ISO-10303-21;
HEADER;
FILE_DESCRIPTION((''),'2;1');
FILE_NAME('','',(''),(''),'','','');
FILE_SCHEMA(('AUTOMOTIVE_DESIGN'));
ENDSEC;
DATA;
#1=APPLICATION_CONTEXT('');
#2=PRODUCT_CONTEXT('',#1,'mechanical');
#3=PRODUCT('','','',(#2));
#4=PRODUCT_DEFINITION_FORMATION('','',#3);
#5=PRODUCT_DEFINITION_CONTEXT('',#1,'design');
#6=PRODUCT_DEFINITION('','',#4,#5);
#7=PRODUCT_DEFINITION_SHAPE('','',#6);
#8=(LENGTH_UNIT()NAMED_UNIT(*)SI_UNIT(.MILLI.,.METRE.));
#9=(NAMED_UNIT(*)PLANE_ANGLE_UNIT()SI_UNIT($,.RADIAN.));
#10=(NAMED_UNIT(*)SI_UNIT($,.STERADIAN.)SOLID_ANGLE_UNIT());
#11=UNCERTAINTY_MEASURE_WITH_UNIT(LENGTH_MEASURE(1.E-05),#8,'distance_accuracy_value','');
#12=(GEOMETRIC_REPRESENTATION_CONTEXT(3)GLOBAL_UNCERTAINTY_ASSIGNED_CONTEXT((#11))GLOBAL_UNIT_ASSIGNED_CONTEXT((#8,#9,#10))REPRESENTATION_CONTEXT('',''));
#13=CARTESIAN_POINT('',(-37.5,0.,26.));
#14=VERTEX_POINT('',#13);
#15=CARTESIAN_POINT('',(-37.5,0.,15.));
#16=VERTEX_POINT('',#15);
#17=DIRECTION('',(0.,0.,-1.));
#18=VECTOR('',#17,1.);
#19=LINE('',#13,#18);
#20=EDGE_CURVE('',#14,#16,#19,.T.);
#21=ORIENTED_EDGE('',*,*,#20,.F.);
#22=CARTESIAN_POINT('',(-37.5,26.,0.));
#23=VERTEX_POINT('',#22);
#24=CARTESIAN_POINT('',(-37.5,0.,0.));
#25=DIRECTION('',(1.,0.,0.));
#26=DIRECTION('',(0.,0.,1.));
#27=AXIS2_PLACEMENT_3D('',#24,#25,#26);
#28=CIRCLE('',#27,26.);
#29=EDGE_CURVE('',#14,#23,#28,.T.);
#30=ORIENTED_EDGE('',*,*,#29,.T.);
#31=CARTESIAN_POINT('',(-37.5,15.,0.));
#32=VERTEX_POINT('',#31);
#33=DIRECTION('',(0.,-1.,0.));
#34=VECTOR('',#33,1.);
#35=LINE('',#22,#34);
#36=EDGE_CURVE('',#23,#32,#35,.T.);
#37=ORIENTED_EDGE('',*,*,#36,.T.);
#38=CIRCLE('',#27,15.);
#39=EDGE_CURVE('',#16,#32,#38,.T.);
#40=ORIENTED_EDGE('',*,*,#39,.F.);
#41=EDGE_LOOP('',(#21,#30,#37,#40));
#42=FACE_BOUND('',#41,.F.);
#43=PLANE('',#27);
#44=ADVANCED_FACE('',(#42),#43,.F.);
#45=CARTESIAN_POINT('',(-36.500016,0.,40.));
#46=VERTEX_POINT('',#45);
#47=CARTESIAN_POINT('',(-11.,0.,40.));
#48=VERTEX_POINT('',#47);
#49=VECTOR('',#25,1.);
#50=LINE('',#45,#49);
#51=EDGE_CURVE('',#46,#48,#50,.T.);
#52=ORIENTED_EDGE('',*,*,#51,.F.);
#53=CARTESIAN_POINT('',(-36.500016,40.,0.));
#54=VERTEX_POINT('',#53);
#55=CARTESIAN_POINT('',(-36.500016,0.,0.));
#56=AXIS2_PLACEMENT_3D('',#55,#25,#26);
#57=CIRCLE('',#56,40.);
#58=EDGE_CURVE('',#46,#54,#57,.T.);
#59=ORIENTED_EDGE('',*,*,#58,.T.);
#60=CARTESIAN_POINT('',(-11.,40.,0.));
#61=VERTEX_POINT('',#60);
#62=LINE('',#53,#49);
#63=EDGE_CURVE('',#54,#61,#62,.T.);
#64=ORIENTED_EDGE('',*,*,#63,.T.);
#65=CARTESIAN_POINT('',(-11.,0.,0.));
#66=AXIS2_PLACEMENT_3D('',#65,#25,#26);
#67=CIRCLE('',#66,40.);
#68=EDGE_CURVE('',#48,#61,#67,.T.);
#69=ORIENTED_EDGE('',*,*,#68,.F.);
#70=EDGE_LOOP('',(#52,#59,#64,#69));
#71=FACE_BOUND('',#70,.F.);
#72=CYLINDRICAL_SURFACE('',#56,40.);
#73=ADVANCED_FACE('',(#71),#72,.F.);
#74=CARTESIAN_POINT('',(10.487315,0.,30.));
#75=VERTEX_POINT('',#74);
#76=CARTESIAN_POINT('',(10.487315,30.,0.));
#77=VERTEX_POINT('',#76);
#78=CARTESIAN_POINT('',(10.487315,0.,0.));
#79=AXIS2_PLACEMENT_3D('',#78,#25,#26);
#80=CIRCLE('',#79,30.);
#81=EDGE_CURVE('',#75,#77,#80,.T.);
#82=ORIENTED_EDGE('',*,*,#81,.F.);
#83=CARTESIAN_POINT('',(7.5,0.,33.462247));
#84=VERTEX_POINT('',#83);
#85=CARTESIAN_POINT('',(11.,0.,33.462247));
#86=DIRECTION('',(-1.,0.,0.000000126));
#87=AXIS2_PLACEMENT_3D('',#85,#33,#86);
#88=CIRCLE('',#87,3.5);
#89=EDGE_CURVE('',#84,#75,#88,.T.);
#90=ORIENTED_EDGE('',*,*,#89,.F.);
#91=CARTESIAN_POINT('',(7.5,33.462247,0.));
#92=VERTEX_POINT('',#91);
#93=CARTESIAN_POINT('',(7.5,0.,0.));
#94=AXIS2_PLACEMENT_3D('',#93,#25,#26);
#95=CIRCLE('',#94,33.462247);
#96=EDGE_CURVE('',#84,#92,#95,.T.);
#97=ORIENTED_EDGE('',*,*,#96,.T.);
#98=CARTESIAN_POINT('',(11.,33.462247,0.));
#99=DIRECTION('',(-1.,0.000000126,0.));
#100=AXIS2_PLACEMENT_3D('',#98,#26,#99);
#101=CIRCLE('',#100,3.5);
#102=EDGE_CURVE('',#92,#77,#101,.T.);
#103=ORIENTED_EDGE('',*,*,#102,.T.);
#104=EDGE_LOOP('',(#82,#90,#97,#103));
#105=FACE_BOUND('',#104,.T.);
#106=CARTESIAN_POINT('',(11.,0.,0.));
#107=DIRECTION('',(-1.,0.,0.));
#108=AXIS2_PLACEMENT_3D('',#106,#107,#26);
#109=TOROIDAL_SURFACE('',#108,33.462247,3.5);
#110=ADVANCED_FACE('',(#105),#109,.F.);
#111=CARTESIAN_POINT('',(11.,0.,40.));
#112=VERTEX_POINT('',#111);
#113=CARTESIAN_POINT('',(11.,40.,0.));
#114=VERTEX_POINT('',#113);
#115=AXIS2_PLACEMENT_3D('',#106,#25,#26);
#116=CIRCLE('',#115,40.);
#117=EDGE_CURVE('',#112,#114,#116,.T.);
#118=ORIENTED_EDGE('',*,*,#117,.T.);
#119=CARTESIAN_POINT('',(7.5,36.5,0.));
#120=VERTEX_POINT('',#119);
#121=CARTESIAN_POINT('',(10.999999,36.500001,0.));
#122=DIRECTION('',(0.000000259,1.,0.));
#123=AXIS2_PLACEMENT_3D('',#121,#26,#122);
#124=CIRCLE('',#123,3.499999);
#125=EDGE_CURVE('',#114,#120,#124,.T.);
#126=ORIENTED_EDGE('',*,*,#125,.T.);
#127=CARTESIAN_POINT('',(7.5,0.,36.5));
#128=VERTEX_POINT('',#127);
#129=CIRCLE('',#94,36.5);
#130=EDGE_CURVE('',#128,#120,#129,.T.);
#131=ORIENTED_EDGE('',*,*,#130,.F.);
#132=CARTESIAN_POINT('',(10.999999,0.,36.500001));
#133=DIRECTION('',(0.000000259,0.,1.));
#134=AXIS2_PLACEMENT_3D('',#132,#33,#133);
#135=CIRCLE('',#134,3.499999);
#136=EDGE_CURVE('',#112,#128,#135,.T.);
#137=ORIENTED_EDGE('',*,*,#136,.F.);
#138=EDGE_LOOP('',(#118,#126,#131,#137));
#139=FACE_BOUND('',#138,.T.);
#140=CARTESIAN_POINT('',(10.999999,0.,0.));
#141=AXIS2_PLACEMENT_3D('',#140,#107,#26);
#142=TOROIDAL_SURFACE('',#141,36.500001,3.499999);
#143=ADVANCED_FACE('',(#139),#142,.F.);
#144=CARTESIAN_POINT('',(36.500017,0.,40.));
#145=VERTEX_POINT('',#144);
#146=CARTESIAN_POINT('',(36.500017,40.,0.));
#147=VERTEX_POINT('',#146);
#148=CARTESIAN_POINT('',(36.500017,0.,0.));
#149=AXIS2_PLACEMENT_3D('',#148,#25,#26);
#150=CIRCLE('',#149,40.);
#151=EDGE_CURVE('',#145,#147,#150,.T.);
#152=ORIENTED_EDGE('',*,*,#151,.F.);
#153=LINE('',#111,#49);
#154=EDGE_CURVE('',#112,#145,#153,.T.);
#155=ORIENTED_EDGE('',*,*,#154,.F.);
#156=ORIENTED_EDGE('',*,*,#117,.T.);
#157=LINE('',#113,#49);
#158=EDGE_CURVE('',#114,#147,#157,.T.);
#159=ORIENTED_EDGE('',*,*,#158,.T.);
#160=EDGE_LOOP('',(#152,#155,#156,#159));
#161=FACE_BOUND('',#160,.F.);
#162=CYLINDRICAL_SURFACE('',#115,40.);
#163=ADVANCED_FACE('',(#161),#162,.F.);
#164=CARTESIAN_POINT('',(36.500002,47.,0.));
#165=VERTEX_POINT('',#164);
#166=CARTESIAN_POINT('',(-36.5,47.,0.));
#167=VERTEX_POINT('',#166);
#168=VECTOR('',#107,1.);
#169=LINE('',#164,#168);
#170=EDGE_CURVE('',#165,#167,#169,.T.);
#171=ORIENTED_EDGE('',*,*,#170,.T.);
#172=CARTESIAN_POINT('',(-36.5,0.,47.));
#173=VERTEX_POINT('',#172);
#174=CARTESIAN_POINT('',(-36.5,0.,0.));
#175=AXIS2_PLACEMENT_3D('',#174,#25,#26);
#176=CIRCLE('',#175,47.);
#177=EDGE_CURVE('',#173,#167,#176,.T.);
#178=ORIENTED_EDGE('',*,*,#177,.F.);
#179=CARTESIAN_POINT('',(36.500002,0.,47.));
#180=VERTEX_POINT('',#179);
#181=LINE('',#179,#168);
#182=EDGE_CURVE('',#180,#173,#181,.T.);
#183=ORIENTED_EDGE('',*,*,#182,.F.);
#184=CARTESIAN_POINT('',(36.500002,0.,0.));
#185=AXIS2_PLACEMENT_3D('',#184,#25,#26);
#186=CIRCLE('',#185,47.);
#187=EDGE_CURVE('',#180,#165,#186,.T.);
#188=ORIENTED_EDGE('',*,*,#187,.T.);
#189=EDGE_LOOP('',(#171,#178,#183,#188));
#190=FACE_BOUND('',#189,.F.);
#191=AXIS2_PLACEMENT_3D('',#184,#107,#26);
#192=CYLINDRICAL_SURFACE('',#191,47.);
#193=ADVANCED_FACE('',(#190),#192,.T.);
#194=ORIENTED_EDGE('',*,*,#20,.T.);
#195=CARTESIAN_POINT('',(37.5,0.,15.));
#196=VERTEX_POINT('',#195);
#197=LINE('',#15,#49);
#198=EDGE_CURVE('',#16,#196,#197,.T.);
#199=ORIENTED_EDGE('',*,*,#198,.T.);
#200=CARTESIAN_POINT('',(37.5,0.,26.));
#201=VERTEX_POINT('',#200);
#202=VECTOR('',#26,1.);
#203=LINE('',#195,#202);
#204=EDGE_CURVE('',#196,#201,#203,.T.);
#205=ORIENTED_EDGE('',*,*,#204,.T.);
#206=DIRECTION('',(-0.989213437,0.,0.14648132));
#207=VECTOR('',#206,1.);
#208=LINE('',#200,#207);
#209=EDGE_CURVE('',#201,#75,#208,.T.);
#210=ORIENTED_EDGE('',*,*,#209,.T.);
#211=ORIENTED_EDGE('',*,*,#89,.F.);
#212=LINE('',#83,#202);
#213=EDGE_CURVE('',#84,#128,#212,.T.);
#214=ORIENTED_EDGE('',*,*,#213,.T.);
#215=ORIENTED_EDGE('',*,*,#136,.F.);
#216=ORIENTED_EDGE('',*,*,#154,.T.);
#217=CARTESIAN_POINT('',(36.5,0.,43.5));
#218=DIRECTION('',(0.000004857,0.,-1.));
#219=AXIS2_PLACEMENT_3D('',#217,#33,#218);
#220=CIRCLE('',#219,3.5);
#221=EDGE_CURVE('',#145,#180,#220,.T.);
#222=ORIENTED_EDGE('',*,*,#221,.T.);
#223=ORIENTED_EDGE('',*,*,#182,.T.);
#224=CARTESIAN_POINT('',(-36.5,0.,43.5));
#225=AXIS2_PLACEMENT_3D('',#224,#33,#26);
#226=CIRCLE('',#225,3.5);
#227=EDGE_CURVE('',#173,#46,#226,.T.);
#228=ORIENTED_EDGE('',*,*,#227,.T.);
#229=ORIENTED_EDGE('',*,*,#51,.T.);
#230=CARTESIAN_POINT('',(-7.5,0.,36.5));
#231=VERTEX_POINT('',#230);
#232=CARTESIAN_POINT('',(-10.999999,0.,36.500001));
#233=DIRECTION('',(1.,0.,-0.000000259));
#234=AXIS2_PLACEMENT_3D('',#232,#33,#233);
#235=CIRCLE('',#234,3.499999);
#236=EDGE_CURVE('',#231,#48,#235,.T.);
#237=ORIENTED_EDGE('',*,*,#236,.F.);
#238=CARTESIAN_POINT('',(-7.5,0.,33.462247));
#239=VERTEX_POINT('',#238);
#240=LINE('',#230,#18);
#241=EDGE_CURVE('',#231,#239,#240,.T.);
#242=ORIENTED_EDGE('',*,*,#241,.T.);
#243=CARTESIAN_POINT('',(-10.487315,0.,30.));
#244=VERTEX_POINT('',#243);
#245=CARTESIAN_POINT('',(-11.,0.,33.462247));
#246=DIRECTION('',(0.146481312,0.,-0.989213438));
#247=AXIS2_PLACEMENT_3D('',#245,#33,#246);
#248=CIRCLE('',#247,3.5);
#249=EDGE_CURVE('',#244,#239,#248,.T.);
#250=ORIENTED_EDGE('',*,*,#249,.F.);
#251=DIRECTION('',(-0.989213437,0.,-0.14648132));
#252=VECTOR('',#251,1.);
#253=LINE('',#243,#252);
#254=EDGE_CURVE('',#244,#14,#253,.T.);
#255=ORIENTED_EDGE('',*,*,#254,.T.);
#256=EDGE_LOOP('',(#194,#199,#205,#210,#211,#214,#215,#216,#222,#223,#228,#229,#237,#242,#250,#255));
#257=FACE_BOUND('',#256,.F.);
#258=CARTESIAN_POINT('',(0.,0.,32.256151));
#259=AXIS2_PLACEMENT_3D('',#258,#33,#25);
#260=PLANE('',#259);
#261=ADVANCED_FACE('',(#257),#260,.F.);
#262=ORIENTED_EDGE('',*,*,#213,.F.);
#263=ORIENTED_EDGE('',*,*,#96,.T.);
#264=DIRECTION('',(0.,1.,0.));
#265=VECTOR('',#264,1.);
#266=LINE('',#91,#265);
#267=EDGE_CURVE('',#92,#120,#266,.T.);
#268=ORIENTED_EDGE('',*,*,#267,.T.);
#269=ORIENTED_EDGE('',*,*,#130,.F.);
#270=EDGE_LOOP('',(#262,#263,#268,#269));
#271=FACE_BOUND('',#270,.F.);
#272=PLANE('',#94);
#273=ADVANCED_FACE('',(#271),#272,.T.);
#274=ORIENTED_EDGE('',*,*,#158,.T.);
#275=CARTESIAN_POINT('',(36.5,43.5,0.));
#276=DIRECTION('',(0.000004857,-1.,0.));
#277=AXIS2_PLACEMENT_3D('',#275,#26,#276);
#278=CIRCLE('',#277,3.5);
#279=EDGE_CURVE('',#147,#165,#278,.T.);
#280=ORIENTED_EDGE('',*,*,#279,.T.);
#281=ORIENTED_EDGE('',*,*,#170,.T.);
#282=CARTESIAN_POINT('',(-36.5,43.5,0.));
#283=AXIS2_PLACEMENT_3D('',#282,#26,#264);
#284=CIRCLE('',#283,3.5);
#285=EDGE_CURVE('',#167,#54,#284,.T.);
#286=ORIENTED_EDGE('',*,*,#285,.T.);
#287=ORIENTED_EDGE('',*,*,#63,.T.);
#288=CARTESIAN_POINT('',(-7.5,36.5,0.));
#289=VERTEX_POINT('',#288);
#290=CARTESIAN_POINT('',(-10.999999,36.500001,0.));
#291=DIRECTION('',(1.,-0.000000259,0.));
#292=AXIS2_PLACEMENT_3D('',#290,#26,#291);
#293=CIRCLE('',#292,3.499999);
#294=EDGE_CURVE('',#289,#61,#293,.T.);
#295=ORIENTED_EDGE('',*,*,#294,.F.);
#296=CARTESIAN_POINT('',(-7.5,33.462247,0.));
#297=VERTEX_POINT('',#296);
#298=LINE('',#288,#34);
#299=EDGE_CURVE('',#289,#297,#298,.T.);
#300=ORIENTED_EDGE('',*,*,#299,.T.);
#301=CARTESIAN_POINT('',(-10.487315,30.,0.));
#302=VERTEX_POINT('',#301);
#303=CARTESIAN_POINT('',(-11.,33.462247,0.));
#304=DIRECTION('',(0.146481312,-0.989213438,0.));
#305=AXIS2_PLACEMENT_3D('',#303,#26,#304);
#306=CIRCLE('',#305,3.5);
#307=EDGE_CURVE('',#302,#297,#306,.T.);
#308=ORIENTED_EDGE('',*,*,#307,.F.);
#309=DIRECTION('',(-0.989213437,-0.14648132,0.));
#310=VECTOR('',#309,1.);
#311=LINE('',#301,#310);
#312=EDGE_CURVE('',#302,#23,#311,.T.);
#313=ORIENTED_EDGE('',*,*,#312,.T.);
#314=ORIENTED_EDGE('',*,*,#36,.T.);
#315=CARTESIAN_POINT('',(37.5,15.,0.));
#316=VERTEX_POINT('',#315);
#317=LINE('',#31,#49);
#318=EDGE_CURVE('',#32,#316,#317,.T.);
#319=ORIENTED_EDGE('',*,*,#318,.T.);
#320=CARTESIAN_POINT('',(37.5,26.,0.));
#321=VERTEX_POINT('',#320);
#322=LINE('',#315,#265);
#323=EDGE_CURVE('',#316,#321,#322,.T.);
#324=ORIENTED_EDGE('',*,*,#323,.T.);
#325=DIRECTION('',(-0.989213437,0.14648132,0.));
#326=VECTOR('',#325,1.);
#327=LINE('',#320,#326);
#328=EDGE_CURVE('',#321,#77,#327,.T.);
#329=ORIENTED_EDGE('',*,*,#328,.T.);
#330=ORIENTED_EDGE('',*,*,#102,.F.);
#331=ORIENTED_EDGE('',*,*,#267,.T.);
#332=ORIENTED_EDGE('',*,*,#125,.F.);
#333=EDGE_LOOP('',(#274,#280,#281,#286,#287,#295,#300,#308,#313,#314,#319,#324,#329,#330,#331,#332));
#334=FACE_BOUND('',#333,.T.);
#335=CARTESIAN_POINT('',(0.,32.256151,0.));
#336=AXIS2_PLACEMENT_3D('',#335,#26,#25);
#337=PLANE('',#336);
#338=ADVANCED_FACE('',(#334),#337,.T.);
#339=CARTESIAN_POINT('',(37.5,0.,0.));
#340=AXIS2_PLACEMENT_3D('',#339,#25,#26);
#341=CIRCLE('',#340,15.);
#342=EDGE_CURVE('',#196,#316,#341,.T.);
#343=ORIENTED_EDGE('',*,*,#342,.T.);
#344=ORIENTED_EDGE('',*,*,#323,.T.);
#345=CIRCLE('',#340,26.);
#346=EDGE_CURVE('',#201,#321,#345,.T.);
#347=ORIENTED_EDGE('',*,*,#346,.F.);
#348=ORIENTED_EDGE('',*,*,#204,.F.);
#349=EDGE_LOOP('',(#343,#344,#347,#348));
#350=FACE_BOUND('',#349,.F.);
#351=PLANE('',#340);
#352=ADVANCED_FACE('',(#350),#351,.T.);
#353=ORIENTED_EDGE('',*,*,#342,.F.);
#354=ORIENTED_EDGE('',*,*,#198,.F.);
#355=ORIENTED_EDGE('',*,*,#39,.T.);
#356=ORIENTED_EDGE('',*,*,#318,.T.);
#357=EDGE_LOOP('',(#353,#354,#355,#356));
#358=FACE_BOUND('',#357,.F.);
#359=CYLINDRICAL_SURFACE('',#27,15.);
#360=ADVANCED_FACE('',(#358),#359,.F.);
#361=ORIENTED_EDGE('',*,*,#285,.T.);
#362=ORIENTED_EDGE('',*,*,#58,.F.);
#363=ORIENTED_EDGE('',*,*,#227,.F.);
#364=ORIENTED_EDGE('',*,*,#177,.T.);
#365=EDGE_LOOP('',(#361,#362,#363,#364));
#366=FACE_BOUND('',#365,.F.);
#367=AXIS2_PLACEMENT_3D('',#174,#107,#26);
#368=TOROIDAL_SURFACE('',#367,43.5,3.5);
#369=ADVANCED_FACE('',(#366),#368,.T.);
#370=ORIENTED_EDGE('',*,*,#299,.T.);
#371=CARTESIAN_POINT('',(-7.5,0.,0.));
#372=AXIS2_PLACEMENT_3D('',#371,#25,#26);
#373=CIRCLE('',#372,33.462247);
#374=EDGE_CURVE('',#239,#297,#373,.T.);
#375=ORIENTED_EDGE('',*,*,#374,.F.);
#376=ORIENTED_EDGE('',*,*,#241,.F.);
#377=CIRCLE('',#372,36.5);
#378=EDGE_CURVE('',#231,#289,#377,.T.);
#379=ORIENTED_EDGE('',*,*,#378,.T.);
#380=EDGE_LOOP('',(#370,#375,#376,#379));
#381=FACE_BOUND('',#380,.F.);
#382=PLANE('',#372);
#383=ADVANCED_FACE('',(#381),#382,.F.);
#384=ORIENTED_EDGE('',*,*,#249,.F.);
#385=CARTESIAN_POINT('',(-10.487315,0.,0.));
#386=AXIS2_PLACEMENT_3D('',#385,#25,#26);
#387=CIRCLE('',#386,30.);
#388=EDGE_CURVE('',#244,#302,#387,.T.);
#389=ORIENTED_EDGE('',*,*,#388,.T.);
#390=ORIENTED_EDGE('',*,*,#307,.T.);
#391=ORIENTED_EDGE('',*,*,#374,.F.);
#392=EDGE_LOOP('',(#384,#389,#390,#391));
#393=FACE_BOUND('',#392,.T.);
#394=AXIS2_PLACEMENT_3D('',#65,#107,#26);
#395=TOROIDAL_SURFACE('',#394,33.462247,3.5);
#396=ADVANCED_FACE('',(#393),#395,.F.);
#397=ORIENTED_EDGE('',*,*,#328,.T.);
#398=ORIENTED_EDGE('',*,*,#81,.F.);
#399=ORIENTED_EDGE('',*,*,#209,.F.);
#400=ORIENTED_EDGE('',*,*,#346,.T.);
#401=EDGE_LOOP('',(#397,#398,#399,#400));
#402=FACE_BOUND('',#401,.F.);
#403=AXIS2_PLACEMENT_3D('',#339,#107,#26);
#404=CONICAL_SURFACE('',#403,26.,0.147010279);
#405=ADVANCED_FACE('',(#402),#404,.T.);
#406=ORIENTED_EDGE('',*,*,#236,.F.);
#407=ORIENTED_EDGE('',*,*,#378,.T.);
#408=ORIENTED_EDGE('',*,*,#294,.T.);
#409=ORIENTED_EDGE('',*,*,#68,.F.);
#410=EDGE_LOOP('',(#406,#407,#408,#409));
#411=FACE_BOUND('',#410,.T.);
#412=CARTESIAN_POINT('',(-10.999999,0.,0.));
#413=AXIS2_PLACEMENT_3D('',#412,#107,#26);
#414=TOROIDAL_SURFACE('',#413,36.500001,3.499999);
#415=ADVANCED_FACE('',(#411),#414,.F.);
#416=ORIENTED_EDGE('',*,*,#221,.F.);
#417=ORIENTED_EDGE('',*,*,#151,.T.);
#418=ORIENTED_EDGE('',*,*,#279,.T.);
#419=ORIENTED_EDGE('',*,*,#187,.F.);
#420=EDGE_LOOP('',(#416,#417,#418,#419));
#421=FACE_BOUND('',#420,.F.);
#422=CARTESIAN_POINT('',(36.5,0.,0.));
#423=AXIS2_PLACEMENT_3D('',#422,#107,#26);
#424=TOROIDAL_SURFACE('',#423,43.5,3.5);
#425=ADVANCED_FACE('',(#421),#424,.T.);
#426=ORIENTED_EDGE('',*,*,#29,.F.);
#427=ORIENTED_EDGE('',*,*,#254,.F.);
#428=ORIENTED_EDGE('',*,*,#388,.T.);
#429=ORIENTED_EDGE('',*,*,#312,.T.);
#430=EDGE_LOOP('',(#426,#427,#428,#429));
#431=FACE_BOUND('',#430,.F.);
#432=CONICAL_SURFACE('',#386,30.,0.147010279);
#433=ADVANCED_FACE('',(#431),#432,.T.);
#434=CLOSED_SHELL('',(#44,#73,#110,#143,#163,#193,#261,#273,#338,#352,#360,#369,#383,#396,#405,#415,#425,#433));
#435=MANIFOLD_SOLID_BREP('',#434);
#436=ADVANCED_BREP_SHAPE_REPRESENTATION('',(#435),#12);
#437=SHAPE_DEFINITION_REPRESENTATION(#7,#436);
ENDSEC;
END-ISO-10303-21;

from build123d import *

# Parameters (mm, degrees)
REVOLUTION_ANGLE = 270


with BuildPart() as part:
    # Sketch → Revolution (revolve)
    with BuildSketch(Plane.XZ):
        with BuildLine():
            Line((-37.5, 15), (37.5, 15))
            Line((37.5, 15), (37.5, 26))
            Line((37.5, 26), (10.487315, 30))
            ThreePointArc((7.5, 33.462247), (8.350057, 31.175808), (10.487315, 30))
            Line((7.5, 33.462247), (7.5, 36.5))
            ThreePointArc((11, 40), (8.525126, 38.974874), (7.5, 36.5))
            Line((11, 40), (36.500017, 40))
            ThreePointArc((36.500017, 40), (40, 43.500007), (36.500002, 47))
            Line((36.500002, 47), (-36.5, 47))
            ThreePointArc((-36.5, 47), (-40, 43.500008), (-36.500016, 40))
            Line((-36.500016, 40), (-11, 40))
            ThreePointArc((-7.5, 36.5), (-8.525126, 38.974874), (-11, 40))
            Line((-7.5, 36.5), (-7.5, 33.462247))
            ThreePointArc((-10.487315, 30), (-8.350057, 31.175808), (-7.5, 33.462247))
            Line((-10.487315, 30), (-37.5, 26))
            Line((-37.5, 26), (-37.5, 15))
        make_face()
    revolve(axis=Axis((0, 0, 0), (1, 0, 0)), revolution_arc=REVOLUTION_ANGLE)


solid = part.part
